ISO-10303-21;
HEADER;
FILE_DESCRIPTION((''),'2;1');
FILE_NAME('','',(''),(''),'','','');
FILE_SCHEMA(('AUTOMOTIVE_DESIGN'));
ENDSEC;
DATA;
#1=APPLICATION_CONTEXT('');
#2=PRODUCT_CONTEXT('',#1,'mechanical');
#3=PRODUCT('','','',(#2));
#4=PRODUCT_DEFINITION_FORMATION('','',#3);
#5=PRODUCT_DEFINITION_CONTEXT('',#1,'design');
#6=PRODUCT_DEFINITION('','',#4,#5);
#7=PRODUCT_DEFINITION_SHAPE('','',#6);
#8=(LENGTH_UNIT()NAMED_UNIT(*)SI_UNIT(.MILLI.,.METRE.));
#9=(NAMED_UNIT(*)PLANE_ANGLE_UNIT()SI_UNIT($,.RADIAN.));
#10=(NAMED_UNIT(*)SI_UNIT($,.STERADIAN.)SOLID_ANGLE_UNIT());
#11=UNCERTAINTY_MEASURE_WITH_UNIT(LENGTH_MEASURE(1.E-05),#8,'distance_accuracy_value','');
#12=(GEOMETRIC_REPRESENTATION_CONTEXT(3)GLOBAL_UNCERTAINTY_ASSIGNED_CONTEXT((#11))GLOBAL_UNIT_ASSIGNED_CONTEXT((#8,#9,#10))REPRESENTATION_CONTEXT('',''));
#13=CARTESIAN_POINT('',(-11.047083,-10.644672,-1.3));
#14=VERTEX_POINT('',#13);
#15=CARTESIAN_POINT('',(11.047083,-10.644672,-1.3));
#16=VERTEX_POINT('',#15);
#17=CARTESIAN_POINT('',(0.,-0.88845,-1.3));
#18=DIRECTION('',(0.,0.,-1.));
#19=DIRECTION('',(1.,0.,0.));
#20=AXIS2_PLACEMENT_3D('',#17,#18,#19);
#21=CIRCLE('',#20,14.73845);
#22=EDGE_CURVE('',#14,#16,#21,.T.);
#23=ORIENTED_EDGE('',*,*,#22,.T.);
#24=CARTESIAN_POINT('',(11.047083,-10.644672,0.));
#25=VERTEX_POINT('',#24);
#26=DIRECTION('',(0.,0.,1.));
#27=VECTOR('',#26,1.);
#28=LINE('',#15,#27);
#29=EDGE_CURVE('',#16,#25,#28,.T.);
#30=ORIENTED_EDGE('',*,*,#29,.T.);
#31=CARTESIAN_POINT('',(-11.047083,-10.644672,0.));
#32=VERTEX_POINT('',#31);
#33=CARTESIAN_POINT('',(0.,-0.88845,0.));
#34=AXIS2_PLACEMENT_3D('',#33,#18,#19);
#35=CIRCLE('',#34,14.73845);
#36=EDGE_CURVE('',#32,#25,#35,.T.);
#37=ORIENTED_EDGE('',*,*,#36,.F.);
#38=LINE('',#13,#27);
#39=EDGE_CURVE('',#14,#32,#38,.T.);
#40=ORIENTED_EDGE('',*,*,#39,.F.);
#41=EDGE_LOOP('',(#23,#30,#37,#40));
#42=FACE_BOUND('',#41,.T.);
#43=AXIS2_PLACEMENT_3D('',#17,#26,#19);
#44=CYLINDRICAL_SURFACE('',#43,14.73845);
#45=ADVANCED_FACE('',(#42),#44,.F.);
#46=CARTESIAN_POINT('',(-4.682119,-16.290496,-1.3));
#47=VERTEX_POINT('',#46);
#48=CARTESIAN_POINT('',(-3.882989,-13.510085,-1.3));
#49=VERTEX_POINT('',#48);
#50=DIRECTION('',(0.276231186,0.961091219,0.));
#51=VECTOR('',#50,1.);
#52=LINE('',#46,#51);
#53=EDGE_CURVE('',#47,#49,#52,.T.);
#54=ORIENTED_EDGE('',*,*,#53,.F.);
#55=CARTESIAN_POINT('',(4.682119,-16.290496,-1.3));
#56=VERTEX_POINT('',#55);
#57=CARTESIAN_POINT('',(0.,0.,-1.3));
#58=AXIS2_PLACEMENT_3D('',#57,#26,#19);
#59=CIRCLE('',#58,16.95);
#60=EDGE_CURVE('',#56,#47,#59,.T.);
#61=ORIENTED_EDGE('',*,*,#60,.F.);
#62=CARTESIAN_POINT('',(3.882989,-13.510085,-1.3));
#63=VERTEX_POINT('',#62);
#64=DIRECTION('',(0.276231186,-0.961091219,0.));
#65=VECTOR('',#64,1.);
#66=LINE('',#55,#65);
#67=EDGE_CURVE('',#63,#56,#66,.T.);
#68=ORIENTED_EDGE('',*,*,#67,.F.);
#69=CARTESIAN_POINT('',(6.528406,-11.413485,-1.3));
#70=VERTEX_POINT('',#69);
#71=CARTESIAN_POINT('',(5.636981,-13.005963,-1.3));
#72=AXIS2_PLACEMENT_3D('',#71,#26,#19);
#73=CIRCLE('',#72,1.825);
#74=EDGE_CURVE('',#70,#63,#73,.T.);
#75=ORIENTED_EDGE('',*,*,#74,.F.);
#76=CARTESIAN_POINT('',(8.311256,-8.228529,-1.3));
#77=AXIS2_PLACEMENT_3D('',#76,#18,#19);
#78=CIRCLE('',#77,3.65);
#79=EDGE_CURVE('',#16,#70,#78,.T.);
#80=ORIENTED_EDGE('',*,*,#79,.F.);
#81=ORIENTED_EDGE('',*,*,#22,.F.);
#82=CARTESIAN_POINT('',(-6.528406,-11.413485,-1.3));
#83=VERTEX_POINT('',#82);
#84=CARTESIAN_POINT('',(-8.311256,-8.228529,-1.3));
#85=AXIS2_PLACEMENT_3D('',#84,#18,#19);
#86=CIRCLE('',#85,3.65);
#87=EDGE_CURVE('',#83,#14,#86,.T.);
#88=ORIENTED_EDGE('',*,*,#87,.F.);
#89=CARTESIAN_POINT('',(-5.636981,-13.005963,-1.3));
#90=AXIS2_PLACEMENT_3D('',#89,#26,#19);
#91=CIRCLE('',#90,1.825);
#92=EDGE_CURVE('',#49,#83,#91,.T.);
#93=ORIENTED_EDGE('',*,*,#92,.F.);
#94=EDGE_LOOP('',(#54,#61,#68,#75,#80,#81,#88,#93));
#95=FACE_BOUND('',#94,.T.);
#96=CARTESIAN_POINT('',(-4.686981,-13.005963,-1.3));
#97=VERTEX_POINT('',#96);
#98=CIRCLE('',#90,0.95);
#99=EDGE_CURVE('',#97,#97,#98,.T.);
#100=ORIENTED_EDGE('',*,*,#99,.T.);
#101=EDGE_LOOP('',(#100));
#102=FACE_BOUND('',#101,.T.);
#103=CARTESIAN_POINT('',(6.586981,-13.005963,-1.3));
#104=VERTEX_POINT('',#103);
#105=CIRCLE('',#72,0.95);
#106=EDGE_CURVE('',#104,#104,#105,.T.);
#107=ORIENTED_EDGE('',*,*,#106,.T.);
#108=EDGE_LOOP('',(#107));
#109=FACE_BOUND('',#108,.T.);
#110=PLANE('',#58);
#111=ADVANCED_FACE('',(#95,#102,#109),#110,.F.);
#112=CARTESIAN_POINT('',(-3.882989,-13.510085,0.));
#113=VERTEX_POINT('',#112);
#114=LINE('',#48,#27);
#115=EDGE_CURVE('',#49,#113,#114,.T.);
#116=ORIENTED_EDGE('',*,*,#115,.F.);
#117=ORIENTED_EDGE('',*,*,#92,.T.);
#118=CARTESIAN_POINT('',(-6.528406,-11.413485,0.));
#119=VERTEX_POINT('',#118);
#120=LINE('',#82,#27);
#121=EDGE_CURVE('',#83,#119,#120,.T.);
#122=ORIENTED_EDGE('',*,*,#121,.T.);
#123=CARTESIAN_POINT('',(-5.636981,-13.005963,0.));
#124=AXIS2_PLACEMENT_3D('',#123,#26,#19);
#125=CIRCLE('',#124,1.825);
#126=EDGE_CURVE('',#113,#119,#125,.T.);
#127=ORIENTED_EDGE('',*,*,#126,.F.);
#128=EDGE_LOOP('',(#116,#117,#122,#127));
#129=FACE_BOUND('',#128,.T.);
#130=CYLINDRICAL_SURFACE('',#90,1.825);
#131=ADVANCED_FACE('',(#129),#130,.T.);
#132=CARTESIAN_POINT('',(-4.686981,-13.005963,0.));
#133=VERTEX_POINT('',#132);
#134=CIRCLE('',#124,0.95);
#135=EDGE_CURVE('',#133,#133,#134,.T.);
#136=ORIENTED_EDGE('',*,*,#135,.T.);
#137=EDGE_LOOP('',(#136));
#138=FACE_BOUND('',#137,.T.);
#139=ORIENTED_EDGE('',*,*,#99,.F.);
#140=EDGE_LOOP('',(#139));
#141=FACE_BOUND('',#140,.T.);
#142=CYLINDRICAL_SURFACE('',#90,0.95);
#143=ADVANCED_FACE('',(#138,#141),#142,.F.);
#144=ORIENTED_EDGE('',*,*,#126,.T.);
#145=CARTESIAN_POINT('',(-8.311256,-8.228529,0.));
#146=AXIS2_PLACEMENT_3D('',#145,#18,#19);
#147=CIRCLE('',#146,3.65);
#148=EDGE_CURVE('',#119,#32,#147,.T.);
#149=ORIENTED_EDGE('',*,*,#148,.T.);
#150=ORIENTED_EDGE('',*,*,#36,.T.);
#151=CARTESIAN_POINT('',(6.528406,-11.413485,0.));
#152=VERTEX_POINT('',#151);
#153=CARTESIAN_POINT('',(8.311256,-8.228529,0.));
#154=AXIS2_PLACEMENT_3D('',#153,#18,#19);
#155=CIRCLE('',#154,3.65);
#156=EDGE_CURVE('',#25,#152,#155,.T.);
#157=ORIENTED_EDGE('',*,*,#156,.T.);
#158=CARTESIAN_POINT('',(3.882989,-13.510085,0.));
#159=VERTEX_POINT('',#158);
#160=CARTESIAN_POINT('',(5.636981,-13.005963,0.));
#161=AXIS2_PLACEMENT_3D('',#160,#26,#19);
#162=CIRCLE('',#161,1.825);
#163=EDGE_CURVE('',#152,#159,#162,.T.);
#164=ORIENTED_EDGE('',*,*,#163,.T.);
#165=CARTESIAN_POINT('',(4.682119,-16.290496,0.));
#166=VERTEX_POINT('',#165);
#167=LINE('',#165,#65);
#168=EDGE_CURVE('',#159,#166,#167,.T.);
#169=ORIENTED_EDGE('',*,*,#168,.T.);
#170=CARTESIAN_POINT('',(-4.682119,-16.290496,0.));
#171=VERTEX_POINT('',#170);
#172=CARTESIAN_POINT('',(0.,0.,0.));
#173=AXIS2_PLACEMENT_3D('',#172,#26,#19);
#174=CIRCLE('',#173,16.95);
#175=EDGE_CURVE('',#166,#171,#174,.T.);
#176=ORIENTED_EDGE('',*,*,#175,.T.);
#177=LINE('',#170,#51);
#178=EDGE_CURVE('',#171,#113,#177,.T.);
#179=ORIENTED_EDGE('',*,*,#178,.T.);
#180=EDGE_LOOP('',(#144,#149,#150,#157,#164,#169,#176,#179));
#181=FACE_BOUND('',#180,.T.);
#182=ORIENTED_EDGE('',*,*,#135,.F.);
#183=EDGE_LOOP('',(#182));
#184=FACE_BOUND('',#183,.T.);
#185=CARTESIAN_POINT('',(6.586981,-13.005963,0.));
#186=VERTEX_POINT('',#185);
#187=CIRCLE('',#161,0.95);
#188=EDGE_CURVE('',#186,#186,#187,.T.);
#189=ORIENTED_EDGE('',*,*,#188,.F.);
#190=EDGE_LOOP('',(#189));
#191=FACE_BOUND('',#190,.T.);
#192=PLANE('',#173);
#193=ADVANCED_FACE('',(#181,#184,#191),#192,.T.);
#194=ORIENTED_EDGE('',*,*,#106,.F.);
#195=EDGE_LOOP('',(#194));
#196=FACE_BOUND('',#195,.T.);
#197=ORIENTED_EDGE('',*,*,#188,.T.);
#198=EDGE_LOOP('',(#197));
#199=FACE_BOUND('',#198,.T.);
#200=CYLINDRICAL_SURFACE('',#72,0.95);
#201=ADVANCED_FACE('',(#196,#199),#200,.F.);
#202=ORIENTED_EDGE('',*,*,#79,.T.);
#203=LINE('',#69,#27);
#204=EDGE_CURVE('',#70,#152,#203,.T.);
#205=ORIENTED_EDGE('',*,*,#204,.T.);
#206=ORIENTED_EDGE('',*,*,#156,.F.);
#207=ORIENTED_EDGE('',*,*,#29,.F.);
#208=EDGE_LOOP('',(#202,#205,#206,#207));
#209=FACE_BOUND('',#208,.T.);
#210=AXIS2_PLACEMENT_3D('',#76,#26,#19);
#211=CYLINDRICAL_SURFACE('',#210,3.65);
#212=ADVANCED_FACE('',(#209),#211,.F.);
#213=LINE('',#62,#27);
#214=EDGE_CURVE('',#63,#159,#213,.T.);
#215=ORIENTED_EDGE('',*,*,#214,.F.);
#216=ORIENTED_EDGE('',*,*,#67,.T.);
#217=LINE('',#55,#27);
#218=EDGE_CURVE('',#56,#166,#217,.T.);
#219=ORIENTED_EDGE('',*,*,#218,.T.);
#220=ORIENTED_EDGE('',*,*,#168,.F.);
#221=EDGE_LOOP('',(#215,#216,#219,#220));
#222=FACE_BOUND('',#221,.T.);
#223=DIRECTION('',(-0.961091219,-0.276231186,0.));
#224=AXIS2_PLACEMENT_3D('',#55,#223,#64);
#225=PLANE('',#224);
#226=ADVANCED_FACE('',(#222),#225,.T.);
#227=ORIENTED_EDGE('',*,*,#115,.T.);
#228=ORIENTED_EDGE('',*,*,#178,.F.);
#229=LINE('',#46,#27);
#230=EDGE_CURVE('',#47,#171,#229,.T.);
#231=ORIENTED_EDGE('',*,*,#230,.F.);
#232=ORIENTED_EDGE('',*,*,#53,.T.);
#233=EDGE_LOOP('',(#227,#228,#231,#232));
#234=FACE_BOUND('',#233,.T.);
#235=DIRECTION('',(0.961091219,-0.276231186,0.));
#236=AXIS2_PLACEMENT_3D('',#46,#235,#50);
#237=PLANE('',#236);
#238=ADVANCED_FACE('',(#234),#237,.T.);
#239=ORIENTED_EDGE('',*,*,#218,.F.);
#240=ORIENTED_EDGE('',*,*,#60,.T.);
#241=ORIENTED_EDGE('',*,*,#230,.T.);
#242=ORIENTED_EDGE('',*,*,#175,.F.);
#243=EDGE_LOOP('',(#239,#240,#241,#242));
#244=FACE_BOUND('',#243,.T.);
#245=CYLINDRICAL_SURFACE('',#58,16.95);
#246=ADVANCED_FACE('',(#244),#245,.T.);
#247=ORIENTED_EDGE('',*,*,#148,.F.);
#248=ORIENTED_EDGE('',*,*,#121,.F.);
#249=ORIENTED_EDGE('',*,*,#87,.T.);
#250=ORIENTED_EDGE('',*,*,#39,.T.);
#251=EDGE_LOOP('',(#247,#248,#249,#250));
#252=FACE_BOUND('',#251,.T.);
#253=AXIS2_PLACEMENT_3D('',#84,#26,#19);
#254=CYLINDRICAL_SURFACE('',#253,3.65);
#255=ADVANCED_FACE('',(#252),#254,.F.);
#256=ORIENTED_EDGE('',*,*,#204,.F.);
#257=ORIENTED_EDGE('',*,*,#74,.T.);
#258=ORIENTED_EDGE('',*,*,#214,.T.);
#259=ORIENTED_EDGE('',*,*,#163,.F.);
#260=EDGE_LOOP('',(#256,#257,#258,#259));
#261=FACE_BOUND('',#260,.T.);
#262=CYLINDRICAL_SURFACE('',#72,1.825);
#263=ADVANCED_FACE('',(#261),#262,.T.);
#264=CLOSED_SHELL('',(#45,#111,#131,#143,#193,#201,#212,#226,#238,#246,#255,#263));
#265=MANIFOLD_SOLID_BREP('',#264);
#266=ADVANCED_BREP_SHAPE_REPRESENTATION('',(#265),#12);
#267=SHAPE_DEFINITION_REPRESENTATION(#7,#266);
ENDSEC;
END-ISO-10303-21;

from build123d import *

# Parameters (mm, degrees)
BODYSKE_R  = 0.95
BODY_DEPTH = 1.3


with BuildPart() as part:
    # BodySke → Body (new body)
    with BuildSketch(Plane.XY):
        with BuildLine():
            Line((4.682118598, -16.290496169), (3.882989156, -13.510084945))
            ThreePointArc((3.882989156, -13.510084945), (4.503429546, -11.575687905), (6.528405692, -11.413484974))
            ThreePointArc((6.528405692, -11.413484974), (8.923472712, -11.826818797), (11.047083017, -10.64467238))
            ThreePointArc((11.047083017, -10.64467238), (0, 13.85), (-11.047083017, -10.64467238))
            ThreePointArc((-11.047083017, -10.64467238), (-8.923472712, -11.826818797), (-6.528405692, -11.413484974))
            ThreePointArc((-6.528405692, -11.413484974), (-4.503429546, -11.575687905), (-3.882989156, -13.510084945))
            Line((-3.882989156, -13.510084945), (-4.682118598, -16.290496169))
            ThreePointArc((-4.682118598, -16.290496169), (0, 16.95), (4.682118598, -16.290496169))
        make_face()
        with Locations((5.636980632, -13.005963031)):
            Circle(BODYSKE_R, mode=Mode.SUBTRACT)
        with Locations((-5.636980632, -13.005963031)):
            Circle(BODYSKE_R, mode=Mode.SUBTRACT)
    extrude(amount=-BODY_DEPTH)


solid = part.part
